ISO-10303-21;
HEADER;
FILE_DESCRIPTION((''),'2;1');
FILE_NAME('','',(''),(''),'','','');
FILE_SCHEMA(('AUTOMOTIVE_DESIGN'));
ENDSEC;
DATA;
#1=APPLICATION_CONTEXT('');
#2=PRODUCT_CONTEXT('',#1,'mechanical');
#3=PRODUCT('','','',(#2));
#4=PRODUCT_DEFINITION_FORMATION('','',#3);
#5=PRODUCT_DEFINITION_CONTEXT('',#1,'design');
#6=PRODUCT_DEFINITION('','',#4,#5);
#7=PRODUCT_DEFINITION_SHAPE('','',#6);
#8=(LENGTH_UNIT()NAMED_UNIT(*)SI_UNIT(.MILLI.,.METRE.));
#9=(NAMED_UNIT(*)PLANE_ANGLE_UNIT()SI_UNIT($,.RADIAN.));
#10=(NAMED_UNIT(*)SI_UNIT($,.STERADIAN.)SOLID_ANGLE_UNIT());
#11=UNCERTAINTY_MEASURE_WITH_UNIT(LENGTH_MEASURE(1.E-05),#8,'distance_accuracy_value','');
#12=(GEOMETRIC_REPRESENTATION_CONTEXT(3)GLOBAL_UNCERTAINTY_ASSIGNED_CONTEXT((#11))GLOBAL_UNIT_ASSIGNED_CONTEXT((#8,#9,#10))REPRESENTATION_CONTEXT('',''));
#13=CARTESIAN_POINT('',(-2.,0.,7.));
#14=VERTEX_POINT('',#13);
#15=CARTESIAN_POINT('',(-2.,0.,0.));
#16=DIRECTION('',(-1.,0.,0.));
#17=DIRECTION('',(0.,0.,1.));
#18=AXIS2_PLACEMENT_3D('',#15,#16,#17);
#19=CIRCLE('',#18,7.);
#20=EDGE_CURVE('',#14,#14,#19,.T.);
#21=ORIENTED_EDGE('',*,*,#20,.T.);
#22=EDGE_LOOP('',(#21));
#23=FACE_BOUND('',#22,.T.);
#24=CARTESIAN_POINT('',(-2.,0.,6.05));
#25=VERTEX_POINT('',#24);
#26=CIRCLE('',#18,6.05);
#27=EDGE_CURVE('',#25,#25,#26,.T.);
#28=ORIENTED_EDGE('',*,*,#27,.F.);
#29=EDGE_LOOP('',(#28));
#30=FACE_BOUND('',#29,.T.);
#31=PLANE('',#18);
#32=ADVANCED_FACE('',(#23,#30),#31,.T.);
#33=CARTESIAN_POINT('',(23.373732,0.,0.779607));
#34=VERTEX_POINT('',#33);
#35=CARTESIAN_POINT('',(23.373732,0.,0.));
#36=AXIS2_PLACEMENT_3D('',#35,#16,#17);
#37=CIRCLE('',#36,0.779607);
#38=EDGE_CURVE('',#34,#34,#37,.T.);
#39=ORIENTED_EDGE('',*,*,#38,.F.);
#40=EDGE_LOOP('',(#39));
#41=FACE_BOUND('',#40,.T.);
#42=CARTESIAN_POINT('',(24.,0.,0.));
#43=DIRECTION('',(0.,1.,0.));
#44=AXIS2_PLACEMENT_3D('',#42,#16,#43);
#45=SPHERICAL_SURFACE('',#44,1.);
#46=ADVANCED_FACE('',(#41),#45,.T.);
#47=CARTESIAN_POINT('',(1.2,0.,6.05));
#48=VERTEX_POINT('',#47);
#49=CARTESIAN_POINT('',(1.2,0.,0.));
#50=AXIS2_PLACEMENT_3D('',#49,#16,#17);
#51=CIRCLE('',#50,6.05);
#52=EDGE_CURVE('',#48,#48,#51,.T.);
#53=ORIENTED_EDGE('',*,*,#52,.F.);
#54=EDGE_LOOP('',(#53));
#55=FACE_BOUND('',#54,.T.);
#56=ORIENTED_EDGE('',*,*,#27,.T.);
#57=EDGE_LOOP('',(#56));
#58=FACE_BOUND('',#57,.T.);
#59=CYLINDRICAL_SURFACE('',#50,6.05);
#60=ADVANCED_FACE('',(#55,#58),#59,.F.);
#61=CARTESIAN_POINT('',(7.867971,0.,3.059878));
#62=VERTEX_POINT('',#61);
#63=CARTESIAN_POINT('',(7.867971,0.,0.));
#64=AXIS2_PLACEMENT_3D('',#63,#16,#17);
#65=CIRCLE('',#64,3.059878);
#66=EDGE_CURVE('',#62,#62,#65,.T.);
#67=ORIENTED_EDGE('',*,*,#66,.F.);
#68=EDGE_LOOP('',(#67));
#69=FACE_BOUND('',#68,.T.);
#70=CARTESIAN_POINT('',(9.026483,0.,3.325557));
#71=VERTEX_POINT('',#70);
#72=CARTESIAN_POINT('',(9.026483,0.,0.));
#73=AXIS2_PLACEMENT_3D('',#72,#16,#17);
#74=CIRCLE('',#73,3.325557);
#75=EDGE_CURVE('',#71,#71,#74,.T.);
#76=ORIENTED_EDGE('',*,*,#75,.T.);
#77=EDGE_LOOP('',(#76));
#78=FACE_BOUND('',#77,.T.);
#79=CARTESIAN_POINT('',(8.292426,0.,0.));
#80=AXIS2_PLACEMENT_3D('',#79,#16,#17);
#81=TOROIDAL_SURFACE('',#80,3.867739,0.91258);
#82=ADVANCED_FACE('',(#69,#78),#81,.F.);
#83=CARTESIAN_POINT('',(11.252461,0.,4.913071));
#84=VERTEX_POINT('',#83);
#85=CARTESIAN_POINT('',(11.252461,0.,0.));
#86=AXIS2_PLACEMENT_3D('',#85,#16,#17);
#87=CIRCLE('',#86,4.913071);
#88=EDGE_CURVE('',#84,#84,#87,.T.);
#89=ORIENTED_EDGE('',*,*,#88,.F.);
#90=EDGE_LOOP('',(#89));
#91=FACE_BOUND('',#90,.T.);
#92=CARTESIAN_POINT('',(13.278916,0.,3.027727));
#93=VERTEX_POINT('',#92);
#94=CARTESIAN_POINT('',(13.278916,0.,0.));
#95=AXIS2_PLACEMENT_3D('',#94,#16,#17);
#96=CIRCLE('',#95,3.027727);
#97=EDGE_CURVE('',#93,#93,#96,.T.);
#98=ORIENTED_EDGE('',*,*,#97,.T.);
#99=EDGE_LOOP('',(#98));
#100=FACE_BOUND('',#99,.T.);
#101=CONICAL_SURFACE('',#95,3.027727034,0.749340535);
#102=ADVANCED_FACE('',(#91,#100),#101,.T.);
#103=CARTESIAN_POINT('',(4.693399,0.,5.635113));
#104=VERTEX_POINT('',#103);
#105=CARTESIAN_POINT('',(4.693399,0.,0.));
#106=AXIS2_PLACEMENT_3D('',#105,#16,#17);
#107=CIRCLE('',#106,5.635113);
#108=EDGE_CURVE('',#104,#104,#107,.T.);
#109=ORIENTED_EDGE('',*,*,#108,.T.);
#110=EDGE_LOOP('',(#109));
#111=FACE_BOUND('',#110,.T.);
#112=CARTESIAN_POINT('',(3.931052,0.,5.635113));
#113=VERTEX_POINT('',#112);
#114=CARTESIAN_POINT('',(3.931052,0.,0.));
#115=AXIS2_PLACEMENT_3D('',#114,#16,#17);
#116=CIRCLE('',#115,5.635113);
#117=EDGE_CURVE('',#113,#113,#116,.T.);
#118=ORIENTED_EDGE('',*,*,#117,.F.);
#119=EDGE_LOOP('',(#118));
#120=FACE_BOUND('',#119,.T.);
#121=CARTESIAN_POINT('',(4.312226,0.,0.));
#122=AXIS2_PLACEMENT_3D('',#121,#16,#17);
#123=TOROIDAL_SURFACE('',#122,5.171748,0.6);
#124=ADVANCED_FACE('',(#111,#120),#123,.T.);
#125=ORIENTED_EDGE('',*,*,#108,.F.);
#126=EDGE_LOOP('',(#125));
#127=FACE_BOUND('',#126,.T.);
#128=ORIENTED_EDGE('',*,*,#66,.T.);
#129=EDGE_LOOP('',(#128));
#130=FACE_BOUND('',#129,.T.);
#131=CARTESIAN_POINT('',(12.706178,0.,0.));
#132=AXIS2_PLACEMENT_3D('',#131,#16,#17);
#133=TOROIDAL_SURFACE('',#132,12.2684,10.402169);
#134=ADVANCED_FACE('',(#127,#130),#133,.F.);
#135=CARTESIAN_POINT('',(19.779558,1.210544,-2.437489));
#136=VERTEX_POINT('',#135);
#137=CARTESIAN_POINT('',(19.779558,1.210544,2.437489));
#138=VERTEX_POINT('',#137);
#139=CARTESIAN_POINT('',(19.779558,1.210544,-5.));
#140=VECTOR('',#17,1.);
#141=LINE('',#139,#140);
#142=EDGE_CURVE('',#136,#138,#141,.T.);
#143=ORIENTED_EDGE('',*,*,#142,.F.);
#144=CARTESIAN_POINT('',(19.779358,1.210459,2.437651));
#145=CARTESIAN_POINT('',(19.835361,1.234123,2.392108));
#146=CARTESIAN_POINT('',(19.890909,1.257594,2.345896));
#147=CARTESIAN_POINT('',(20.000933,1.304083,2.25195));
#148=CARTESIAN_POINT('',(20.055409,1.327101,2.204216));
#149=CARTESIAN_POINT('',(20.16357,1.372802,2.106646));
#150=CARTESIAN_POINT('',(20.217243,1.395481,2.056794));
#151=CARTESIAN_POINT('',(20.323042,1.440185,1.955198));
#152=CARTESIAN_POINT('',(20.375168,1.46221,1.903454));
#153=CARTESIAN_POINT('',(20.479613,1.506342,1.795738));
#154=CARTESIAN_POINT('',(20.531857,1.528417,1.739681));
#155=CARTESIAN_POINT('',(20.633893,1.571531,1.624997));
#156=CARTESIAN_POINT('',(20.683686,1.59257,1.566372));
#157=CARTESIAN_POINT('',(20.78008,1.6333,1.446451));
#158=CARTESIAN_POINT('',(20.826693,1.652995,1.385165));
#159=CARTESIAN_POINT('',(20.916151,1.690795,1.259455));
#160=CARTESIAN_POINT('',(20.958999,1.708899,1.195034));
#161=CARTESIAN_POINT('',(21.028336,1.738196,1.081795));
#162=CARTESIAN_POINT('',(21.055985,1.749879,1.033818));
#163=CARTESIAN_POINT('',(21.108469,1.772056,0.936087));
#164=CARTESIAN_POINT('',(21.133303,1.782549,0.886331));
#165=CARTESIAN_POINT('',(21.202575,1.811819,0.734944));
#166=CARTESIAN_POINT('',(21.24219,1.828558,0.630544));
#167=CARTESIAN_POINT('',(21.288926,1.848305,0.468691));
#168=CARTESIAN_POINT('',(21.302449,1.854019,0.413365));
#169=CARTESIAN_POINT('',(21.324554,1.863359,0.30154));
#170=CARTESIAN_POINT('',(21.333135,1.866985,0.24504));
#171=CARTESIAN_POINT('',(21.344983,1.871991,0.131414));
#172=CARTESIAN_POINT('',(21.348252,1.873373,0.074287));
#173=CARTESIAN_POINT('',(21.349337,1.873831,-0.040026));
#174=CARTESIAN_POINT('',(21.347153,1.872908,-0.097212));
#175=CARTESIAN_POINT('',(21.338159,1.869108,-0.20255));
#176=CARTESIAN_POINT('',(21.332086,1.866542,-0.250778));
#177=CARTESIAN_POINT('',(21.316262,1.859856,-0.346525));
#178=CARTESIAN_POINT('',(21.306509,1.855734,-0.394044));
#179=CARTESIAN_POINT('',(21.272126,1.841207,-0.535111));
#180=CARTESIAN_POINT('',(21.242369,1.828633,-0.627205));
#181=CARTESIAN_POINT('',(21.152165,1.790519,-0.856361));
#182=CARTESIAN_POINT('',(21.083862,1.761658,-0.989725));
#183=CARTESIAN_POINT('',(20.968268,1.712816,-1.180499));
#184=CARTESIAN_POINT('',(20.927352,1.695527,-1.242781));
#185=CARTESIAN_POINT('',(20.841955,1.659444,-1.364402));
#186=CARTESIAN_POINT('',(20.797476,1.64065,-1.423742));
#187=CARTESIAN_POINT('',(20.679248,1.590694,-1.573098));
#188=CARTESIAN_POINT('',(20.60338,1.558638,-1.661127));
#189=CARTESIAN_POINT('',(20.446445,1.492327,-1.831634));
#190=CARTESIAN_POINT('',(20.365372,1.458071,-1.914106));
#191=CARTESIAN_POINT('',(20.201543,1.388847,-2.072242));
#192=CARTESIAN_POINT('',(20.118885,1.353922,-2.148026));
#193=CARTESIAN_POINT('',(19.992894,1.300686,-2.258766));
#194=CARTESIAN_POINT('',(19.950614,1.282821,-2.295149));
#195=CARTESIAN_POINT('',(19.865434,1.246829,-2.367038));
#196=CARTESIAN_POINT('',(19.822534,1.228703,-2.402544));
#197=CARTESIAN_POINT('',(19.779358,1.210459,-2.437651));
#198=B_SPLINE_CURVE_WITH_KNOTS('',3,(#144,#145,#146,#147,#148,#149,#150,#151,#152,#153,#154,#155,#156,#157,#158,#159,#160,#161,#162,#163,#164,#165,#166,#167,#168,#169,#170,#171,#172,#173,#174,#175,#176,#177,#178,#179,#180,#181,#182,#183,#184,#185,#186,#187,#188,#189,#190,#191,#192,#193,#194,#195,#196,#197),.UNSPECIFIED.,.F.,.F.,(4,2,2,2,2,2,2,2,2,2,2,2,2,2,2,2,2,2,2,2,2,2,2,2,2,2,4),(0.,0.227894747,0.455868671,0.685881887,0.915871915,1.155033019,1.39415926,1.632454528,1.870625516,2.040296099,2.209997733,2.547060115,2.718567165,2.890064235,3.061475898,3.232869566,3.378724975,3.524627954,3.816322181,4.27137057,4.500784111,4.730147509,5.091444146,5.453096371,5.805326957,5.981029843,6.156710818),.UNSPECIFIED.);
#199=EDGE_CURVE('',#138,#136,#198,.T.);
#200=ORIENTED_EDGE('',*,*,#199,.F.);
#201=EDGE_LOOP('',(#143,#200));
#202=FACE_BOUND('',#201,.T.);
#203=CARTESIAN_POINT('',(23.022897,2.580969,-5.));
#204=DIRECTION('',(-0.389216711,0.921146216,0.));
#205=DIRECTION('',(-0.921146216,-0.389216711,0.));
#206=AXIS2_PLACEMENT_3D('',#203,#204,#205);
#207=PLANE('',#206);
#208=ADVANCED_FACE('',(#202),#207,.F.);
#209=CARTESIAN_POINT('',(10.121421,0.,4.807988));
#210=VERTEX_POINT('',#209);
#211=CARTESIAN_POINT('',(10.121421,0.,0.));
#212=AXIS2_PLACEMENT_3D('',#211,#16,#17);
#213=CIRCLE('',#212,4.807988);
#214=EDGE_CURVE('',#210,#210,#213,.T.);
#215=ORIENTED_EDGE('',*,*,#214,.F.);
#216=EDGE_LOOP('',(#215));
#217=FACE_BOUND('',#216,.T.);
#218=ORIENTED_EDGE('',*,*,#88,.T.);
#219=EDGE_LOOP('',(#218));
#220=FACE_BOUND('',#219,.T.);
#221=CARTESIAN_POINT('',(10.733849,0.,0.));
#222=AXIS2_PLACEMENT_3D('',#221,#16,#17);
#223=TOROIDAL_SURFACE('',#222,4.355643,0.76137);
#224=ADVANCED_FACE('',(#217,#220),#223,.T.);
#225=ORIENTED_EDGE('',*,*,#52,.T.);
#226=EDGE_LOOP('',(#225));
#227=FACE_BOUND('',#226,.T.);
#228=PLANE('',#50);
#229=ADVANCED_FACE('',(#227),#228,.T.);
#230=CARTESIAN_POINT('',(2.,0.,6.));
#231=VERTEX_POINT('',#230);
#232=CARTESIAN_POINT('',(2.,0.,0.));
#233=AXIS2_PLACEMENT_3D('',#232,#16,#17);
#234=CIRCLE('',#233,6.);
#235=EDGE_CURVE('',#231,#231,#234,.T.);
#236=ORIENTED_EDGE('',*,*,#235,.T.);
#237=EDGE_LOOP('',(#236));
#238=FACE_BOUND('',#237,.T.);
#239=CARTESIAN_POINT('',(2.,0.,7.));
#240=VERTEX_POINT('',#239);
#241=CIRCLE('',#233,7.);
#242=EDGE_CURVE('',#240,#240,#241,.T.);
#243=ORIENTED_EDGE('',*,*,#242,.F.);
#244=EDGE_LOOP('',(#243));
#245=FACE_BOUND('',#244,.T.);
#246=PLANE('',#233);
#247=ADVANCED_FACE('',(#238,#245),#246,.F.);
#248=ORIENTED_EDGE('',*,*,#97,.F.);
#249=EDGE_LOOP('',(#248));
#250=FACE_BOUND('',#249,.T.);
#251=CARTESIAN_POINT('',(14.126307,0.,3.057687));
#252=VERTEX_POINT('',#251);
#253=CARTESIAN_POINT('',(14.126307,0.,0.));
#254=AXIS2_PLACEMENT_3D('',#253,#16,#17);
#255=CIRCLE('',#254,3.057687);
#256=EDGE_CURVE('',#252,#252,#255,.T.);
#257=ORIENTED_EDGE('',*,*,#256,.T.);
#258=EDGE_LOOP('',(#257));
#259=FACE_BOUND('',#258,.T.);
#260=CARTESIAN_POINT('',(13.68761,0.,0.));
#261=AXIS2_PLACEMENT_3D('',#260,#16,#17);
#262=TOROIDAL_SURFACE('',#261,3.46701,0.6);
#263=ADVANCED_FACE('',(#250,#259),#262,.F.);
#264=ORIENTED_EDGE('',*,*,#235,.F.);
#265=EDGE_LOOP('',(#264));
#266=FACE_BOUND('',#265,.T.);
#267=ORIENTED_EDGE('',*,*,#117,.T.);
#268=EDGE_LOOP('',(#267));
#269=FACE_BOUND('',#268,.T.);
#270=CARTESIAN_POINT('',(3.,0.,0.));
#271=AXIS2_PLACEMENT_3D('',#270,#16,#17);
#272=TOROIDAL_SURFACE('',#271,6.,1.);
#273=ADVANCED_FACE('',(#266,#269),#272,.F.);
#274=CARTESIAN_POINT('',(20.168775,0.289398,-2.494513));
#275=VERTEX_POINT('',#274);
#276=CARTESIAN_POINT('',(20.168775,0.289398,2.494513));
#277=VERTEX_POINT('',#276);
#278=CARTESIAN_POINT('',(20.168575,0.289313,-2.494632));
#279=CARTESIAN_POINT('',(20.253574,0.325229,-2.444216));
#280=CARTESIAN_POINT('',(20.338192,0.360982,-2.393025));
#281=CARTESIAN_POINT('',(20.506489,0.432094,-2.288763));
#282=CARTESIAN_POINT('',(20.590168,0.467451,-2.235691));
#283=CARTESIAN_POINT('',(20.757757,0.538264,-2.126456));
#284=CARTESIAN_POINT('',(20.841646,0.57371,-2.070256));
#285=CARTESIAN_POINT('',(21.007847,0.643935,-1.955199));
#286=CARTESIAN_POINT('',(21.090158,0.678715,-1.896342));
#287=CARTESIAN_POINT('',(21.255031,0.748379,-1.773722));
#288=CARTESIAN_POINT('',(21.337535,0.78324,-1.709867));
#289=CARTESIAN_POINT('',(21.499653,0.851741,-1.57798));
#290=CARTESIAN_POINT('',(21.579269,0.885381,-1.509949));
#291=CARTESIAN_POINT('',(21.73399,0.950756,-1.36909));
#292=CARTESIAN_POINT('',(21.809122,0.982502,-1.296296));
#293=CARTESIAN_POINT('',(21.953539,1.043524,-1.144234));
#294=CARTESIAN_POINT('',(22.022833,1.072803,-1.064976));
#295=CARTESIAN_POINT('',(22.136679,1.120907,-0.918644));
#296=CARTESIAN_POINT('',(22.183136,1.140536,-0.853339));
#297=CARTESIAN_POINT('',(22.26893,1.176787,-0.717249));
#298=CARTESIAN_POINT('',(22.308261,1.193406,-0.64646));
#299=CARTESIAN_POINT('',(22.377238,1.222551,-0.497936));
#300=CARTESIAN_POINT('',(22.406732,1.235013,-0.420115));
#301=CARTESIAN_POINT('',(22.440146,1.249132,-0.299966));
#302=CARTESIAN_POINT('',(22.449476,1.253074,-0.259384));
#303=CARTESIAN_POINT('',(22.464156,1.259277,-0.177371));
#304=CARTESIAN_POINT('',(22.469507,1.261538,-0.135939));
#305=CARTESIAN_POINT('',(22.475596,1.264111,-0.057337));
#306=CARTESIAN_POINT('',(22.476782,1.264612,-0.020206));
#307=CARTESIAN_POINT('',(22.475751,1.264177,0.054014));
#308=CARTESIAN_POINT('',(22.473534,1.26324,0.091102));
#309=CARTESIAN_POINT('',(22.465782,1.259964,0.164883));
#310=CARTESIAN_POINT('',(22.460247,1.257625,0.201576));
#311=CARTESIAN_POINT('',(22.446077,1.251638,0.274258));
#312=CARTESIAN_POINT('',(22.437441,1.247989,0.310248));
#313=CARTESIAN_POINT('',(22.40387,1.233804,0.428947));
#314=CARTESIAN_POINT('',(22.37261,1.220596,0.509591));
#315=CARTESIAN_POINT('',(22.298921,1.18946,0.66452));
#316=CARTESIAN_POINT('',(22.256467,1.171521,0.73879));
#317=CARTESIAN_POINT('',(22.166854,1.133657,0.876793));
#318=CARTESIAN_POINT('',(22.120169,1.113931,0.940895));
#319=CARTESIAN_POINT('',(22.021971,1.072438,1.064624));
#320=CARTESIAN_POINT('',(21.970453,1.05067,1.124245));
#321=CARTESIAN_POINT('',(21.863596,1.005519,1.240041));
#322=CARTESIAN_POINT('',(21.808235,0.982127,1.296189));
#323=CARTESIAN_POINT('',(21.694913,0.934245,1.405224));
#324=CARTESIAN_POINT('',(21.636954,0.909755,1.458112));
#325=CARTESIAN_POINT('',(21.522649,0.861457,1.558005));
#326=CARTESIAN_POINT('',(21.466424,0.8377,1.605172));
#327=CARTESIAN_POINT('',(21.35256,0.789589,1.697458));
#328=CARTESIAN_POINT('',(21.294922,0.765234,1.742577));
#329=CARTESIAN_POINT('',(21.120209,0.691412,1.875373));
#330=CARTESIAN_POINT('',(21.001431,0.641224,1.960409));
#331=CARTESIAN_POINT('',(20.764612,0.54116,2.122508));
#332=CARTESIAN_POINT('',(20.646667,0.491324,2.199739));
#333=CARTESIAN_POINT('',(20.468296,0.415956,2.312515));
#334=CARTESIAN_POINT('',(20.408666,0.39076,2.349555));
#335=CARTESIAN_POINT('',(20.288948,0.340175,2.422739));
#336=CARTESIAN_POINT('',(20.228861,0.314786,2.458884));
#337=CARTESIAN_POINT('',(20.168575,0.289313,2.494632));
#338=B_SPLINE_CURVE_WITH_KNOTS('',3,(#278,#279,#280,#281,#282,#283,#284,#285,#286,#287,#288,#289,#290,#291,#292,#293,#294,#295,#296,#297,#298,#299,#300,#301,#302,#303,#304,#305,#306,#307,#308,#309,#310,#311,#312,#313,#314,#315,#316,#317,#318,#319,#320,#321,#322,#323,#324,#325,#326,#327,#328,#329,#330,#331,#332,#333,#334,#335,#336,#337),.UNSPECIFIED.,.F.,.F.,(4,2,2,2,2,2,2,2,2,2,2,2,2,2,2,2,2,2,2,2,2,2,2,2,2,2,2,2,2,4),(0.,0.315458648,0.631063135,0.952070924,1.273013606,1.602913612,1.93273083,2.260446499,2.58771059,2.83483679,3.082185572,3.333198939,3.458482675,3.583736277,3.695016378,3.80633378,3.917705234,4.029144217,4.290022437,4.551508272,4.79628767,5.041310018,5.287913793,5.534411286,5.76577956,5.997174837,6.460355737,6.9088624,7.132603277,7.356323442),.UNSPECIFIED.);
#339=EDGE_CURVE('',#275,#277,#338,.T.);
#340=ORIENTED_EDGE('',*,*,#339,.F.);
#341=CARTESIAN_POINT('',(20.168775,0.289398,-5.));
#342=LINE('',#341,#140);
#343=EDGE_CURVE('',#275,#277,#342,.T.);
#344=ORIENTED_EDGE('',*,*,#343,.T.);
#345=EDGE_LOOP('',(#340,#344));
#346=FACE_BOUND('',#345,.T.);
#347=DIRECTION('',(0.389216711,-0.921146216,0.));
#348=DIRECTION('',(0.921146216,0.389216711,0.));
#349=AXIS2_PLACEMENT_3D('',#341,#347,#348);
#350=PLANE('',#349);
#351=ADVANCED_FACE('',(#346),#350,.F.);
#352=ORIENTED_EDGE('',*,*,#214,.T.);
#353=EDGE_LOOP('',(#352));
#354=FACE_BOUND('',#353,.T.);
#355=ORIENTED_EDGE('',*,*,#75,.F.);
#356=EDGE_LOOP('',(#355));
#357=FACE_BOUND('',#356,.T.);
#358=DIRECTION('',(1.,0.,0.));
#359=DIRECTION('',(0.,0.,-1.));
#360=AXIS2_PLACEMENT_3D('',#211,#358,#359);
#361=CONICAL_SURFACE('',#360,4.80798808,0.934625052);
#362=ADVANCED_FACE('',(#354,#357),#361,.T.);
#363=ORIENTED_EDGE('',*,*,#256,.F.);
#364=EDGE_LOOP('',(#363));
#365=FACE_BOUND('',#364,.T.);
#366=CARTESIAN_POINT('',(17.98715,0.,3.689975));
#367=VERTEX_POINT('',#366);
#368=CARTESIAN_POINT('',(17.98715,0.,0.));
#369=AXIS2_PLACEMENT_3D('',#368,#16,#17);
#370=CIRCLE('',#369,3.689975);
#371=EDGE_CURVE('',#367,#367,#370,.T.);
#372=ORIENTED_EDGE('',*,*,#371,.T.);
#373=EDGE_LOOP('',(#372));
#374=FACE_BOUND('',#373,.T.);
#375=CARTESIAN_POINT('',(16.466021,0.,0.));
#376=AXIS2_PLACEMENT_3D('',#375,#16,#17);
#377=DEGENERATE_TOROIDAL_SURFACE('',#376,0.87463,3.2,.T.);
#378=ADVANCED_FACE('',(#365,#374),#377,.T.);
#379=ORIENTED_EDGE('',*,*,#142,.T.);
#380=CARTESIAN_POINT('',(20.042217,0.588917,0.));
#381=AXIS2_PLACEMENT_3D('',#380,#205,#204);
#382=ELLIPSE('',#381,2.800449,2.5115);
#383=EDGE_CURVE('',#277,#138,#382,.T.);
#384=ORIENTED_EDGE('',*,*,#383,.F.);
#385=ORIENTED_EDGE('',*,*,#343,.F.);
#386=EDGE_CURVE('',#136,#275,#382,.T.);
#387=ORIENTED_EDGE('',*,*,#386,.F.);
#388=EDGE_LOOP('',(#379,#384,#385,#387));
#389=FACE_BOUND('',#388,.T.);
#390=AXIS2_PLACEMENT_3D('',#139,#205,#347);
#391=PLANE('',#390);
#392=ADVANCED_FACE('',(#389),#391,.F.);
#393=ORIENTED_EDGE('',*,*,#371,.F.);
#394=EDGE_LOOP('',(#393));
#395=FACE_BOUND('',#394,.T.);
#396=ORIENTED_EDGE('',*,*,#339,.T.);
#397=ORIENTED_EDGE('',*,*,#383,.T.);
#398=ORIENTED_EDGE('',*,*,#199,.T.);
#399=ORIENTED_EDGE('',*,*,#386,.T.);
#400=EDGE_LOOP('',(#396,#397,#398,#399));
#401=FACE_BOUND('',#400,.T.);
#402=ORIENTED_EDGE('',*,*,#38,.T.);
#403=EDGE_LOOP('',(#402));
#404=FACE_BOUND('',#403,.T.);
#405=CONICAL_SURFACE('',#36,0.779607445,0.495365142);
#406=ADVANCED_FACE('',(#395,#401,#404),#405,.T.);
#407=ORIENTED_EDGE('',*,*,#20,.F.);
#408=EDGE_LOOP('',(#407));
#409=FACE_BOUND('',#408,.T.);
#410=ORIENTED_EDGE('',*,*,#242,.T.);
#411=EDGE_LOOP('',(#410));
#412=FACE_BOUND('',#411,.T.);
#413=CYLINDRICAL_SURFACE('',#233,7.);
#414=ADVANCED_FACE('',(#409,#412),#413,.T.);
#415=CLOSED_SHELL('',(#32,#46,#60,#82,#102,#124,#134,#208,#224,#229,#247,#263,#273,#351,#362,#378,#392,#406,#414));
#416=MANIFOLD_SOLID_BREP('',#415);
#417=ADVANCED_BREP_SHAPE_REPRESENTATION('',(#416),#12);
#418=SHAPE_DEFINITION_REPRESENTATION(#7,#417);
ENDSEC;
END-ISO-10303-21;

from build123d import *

# Parameters (mm, degrees)
CORTE_EXTRUS_O2_DEPTH = 5
CHANFRO1_SIZE         = 0.25
SKETCH1_R             = 7
BOSS_EXTRUDE1_DEPTH   = 2
BOSS_EXTRUDE2_START   = 2
SKETCH1_2_R           = 7
BOSS_EXTRUDE2_DEPTH   = 2
SKETCH2_R             = 6.05
CUT_EXTRUDE1_DEPTH    = 3.2


with BuildPart() as part:
    # Esboço1 → Revolução1 (revolve)
    with BuildSketch(Plane.XY):
        with BuildLine():
            Line((0, 0), (0, 6))
            Line((0, 6), (2, 6))
            ThreePointArc((2, 6), (2.814327742, 5.01738827), (3.931051625, 5.635112523))
            ThreePointArc((3.931051625, 5.635112523), (4.312225528, 5.771748243), (4.69339943, 5.635112523))
            ThreePointArc((4.69339943, 5.635112523), (6.152941065, 4.190020924), (7.867971219, 3.059877976))
            ThreePointArc((7.867971219, 3.059877976), (8.496410892, 2.978249662), (9.026483467, 3.325557406))
            Line((9.026483467, 3.325557406), (10.121420917, 4.80798808))
            ThreePointArc((10.121420917, 4.80798808), (10.663414926, 5.113748045), (11.25246109, 4.913070995))
            Line((11.25246109, 4.913070995), (13.278916417, 3.027727034))
            ThreePointArc((13.278916417, 3.027727034), (13.708810055, 2.86738462), (14.126306517, 3.057686836))
            ThreePointArc((14.126306517, 3.057686836), (15.94884844, 4.032561827), (17.987150284, 3.689974754))
            Line((17.987150284, 3.689974754), (23.373731502, 0.779607445))
            ThreePointArc((23.373731502, 0.779607445), (24.432279714, 0.901739568), (25, 0))
            Line((25, 0), (0, 0))
        make_face()
    revolve(axis=Axis((0, 0, 0), (1, 0, 0)))

    # Esboço3 → Corte-extrusão2 (cut, symmetric)
    with BuildSketch(Plane.XY):
        Polygon((23.022896677, 2.580968756), (19.779557922, 1.21054393), (20.168774633, 0.289397713), (23.412113388, 1.659822539), align=None)
    extrude(amount=CORTE_EXTRUS_O2_DEPTH, both=True, mode=Mode.SUBTRACT)

    # Chanfro1
    chanfro1_edges = [part.edges().sort_by_distance(p)[0] for p in [
        (0, -6, 0),
    ]]
    chamfer(chanfro1_edges, length=CHANFRO1_SIZE)

    # Sketch1 → Boss-Extrude1 (add)
    with BuildSketch(Plane.ZY):
        Circle(SKETCH1_R)
    extrude(amount=-BOSS_EXTRUDE1_DEPTH)

    # Sketch1<2> → Boss-Extrude2 (add)
    with BuildSketch(Plane.ZY.offset(BOSS_EXTRUDE2_START)):
        Circle(SKETCH1_2_R)
    extrude(amount=-BOSS_EXTRUDE2_DEPTH)

    # Sketch2 → Cut-Extrude1 (cut)
    with BuildSketch(Plane.ZY.offset(2)):
        Circle(SKETCH2_R)
    extrude(amount=-CUT_EXTRUDE1_DEPTH, mode=Mode.SUBTRACT)


solid = part.part
